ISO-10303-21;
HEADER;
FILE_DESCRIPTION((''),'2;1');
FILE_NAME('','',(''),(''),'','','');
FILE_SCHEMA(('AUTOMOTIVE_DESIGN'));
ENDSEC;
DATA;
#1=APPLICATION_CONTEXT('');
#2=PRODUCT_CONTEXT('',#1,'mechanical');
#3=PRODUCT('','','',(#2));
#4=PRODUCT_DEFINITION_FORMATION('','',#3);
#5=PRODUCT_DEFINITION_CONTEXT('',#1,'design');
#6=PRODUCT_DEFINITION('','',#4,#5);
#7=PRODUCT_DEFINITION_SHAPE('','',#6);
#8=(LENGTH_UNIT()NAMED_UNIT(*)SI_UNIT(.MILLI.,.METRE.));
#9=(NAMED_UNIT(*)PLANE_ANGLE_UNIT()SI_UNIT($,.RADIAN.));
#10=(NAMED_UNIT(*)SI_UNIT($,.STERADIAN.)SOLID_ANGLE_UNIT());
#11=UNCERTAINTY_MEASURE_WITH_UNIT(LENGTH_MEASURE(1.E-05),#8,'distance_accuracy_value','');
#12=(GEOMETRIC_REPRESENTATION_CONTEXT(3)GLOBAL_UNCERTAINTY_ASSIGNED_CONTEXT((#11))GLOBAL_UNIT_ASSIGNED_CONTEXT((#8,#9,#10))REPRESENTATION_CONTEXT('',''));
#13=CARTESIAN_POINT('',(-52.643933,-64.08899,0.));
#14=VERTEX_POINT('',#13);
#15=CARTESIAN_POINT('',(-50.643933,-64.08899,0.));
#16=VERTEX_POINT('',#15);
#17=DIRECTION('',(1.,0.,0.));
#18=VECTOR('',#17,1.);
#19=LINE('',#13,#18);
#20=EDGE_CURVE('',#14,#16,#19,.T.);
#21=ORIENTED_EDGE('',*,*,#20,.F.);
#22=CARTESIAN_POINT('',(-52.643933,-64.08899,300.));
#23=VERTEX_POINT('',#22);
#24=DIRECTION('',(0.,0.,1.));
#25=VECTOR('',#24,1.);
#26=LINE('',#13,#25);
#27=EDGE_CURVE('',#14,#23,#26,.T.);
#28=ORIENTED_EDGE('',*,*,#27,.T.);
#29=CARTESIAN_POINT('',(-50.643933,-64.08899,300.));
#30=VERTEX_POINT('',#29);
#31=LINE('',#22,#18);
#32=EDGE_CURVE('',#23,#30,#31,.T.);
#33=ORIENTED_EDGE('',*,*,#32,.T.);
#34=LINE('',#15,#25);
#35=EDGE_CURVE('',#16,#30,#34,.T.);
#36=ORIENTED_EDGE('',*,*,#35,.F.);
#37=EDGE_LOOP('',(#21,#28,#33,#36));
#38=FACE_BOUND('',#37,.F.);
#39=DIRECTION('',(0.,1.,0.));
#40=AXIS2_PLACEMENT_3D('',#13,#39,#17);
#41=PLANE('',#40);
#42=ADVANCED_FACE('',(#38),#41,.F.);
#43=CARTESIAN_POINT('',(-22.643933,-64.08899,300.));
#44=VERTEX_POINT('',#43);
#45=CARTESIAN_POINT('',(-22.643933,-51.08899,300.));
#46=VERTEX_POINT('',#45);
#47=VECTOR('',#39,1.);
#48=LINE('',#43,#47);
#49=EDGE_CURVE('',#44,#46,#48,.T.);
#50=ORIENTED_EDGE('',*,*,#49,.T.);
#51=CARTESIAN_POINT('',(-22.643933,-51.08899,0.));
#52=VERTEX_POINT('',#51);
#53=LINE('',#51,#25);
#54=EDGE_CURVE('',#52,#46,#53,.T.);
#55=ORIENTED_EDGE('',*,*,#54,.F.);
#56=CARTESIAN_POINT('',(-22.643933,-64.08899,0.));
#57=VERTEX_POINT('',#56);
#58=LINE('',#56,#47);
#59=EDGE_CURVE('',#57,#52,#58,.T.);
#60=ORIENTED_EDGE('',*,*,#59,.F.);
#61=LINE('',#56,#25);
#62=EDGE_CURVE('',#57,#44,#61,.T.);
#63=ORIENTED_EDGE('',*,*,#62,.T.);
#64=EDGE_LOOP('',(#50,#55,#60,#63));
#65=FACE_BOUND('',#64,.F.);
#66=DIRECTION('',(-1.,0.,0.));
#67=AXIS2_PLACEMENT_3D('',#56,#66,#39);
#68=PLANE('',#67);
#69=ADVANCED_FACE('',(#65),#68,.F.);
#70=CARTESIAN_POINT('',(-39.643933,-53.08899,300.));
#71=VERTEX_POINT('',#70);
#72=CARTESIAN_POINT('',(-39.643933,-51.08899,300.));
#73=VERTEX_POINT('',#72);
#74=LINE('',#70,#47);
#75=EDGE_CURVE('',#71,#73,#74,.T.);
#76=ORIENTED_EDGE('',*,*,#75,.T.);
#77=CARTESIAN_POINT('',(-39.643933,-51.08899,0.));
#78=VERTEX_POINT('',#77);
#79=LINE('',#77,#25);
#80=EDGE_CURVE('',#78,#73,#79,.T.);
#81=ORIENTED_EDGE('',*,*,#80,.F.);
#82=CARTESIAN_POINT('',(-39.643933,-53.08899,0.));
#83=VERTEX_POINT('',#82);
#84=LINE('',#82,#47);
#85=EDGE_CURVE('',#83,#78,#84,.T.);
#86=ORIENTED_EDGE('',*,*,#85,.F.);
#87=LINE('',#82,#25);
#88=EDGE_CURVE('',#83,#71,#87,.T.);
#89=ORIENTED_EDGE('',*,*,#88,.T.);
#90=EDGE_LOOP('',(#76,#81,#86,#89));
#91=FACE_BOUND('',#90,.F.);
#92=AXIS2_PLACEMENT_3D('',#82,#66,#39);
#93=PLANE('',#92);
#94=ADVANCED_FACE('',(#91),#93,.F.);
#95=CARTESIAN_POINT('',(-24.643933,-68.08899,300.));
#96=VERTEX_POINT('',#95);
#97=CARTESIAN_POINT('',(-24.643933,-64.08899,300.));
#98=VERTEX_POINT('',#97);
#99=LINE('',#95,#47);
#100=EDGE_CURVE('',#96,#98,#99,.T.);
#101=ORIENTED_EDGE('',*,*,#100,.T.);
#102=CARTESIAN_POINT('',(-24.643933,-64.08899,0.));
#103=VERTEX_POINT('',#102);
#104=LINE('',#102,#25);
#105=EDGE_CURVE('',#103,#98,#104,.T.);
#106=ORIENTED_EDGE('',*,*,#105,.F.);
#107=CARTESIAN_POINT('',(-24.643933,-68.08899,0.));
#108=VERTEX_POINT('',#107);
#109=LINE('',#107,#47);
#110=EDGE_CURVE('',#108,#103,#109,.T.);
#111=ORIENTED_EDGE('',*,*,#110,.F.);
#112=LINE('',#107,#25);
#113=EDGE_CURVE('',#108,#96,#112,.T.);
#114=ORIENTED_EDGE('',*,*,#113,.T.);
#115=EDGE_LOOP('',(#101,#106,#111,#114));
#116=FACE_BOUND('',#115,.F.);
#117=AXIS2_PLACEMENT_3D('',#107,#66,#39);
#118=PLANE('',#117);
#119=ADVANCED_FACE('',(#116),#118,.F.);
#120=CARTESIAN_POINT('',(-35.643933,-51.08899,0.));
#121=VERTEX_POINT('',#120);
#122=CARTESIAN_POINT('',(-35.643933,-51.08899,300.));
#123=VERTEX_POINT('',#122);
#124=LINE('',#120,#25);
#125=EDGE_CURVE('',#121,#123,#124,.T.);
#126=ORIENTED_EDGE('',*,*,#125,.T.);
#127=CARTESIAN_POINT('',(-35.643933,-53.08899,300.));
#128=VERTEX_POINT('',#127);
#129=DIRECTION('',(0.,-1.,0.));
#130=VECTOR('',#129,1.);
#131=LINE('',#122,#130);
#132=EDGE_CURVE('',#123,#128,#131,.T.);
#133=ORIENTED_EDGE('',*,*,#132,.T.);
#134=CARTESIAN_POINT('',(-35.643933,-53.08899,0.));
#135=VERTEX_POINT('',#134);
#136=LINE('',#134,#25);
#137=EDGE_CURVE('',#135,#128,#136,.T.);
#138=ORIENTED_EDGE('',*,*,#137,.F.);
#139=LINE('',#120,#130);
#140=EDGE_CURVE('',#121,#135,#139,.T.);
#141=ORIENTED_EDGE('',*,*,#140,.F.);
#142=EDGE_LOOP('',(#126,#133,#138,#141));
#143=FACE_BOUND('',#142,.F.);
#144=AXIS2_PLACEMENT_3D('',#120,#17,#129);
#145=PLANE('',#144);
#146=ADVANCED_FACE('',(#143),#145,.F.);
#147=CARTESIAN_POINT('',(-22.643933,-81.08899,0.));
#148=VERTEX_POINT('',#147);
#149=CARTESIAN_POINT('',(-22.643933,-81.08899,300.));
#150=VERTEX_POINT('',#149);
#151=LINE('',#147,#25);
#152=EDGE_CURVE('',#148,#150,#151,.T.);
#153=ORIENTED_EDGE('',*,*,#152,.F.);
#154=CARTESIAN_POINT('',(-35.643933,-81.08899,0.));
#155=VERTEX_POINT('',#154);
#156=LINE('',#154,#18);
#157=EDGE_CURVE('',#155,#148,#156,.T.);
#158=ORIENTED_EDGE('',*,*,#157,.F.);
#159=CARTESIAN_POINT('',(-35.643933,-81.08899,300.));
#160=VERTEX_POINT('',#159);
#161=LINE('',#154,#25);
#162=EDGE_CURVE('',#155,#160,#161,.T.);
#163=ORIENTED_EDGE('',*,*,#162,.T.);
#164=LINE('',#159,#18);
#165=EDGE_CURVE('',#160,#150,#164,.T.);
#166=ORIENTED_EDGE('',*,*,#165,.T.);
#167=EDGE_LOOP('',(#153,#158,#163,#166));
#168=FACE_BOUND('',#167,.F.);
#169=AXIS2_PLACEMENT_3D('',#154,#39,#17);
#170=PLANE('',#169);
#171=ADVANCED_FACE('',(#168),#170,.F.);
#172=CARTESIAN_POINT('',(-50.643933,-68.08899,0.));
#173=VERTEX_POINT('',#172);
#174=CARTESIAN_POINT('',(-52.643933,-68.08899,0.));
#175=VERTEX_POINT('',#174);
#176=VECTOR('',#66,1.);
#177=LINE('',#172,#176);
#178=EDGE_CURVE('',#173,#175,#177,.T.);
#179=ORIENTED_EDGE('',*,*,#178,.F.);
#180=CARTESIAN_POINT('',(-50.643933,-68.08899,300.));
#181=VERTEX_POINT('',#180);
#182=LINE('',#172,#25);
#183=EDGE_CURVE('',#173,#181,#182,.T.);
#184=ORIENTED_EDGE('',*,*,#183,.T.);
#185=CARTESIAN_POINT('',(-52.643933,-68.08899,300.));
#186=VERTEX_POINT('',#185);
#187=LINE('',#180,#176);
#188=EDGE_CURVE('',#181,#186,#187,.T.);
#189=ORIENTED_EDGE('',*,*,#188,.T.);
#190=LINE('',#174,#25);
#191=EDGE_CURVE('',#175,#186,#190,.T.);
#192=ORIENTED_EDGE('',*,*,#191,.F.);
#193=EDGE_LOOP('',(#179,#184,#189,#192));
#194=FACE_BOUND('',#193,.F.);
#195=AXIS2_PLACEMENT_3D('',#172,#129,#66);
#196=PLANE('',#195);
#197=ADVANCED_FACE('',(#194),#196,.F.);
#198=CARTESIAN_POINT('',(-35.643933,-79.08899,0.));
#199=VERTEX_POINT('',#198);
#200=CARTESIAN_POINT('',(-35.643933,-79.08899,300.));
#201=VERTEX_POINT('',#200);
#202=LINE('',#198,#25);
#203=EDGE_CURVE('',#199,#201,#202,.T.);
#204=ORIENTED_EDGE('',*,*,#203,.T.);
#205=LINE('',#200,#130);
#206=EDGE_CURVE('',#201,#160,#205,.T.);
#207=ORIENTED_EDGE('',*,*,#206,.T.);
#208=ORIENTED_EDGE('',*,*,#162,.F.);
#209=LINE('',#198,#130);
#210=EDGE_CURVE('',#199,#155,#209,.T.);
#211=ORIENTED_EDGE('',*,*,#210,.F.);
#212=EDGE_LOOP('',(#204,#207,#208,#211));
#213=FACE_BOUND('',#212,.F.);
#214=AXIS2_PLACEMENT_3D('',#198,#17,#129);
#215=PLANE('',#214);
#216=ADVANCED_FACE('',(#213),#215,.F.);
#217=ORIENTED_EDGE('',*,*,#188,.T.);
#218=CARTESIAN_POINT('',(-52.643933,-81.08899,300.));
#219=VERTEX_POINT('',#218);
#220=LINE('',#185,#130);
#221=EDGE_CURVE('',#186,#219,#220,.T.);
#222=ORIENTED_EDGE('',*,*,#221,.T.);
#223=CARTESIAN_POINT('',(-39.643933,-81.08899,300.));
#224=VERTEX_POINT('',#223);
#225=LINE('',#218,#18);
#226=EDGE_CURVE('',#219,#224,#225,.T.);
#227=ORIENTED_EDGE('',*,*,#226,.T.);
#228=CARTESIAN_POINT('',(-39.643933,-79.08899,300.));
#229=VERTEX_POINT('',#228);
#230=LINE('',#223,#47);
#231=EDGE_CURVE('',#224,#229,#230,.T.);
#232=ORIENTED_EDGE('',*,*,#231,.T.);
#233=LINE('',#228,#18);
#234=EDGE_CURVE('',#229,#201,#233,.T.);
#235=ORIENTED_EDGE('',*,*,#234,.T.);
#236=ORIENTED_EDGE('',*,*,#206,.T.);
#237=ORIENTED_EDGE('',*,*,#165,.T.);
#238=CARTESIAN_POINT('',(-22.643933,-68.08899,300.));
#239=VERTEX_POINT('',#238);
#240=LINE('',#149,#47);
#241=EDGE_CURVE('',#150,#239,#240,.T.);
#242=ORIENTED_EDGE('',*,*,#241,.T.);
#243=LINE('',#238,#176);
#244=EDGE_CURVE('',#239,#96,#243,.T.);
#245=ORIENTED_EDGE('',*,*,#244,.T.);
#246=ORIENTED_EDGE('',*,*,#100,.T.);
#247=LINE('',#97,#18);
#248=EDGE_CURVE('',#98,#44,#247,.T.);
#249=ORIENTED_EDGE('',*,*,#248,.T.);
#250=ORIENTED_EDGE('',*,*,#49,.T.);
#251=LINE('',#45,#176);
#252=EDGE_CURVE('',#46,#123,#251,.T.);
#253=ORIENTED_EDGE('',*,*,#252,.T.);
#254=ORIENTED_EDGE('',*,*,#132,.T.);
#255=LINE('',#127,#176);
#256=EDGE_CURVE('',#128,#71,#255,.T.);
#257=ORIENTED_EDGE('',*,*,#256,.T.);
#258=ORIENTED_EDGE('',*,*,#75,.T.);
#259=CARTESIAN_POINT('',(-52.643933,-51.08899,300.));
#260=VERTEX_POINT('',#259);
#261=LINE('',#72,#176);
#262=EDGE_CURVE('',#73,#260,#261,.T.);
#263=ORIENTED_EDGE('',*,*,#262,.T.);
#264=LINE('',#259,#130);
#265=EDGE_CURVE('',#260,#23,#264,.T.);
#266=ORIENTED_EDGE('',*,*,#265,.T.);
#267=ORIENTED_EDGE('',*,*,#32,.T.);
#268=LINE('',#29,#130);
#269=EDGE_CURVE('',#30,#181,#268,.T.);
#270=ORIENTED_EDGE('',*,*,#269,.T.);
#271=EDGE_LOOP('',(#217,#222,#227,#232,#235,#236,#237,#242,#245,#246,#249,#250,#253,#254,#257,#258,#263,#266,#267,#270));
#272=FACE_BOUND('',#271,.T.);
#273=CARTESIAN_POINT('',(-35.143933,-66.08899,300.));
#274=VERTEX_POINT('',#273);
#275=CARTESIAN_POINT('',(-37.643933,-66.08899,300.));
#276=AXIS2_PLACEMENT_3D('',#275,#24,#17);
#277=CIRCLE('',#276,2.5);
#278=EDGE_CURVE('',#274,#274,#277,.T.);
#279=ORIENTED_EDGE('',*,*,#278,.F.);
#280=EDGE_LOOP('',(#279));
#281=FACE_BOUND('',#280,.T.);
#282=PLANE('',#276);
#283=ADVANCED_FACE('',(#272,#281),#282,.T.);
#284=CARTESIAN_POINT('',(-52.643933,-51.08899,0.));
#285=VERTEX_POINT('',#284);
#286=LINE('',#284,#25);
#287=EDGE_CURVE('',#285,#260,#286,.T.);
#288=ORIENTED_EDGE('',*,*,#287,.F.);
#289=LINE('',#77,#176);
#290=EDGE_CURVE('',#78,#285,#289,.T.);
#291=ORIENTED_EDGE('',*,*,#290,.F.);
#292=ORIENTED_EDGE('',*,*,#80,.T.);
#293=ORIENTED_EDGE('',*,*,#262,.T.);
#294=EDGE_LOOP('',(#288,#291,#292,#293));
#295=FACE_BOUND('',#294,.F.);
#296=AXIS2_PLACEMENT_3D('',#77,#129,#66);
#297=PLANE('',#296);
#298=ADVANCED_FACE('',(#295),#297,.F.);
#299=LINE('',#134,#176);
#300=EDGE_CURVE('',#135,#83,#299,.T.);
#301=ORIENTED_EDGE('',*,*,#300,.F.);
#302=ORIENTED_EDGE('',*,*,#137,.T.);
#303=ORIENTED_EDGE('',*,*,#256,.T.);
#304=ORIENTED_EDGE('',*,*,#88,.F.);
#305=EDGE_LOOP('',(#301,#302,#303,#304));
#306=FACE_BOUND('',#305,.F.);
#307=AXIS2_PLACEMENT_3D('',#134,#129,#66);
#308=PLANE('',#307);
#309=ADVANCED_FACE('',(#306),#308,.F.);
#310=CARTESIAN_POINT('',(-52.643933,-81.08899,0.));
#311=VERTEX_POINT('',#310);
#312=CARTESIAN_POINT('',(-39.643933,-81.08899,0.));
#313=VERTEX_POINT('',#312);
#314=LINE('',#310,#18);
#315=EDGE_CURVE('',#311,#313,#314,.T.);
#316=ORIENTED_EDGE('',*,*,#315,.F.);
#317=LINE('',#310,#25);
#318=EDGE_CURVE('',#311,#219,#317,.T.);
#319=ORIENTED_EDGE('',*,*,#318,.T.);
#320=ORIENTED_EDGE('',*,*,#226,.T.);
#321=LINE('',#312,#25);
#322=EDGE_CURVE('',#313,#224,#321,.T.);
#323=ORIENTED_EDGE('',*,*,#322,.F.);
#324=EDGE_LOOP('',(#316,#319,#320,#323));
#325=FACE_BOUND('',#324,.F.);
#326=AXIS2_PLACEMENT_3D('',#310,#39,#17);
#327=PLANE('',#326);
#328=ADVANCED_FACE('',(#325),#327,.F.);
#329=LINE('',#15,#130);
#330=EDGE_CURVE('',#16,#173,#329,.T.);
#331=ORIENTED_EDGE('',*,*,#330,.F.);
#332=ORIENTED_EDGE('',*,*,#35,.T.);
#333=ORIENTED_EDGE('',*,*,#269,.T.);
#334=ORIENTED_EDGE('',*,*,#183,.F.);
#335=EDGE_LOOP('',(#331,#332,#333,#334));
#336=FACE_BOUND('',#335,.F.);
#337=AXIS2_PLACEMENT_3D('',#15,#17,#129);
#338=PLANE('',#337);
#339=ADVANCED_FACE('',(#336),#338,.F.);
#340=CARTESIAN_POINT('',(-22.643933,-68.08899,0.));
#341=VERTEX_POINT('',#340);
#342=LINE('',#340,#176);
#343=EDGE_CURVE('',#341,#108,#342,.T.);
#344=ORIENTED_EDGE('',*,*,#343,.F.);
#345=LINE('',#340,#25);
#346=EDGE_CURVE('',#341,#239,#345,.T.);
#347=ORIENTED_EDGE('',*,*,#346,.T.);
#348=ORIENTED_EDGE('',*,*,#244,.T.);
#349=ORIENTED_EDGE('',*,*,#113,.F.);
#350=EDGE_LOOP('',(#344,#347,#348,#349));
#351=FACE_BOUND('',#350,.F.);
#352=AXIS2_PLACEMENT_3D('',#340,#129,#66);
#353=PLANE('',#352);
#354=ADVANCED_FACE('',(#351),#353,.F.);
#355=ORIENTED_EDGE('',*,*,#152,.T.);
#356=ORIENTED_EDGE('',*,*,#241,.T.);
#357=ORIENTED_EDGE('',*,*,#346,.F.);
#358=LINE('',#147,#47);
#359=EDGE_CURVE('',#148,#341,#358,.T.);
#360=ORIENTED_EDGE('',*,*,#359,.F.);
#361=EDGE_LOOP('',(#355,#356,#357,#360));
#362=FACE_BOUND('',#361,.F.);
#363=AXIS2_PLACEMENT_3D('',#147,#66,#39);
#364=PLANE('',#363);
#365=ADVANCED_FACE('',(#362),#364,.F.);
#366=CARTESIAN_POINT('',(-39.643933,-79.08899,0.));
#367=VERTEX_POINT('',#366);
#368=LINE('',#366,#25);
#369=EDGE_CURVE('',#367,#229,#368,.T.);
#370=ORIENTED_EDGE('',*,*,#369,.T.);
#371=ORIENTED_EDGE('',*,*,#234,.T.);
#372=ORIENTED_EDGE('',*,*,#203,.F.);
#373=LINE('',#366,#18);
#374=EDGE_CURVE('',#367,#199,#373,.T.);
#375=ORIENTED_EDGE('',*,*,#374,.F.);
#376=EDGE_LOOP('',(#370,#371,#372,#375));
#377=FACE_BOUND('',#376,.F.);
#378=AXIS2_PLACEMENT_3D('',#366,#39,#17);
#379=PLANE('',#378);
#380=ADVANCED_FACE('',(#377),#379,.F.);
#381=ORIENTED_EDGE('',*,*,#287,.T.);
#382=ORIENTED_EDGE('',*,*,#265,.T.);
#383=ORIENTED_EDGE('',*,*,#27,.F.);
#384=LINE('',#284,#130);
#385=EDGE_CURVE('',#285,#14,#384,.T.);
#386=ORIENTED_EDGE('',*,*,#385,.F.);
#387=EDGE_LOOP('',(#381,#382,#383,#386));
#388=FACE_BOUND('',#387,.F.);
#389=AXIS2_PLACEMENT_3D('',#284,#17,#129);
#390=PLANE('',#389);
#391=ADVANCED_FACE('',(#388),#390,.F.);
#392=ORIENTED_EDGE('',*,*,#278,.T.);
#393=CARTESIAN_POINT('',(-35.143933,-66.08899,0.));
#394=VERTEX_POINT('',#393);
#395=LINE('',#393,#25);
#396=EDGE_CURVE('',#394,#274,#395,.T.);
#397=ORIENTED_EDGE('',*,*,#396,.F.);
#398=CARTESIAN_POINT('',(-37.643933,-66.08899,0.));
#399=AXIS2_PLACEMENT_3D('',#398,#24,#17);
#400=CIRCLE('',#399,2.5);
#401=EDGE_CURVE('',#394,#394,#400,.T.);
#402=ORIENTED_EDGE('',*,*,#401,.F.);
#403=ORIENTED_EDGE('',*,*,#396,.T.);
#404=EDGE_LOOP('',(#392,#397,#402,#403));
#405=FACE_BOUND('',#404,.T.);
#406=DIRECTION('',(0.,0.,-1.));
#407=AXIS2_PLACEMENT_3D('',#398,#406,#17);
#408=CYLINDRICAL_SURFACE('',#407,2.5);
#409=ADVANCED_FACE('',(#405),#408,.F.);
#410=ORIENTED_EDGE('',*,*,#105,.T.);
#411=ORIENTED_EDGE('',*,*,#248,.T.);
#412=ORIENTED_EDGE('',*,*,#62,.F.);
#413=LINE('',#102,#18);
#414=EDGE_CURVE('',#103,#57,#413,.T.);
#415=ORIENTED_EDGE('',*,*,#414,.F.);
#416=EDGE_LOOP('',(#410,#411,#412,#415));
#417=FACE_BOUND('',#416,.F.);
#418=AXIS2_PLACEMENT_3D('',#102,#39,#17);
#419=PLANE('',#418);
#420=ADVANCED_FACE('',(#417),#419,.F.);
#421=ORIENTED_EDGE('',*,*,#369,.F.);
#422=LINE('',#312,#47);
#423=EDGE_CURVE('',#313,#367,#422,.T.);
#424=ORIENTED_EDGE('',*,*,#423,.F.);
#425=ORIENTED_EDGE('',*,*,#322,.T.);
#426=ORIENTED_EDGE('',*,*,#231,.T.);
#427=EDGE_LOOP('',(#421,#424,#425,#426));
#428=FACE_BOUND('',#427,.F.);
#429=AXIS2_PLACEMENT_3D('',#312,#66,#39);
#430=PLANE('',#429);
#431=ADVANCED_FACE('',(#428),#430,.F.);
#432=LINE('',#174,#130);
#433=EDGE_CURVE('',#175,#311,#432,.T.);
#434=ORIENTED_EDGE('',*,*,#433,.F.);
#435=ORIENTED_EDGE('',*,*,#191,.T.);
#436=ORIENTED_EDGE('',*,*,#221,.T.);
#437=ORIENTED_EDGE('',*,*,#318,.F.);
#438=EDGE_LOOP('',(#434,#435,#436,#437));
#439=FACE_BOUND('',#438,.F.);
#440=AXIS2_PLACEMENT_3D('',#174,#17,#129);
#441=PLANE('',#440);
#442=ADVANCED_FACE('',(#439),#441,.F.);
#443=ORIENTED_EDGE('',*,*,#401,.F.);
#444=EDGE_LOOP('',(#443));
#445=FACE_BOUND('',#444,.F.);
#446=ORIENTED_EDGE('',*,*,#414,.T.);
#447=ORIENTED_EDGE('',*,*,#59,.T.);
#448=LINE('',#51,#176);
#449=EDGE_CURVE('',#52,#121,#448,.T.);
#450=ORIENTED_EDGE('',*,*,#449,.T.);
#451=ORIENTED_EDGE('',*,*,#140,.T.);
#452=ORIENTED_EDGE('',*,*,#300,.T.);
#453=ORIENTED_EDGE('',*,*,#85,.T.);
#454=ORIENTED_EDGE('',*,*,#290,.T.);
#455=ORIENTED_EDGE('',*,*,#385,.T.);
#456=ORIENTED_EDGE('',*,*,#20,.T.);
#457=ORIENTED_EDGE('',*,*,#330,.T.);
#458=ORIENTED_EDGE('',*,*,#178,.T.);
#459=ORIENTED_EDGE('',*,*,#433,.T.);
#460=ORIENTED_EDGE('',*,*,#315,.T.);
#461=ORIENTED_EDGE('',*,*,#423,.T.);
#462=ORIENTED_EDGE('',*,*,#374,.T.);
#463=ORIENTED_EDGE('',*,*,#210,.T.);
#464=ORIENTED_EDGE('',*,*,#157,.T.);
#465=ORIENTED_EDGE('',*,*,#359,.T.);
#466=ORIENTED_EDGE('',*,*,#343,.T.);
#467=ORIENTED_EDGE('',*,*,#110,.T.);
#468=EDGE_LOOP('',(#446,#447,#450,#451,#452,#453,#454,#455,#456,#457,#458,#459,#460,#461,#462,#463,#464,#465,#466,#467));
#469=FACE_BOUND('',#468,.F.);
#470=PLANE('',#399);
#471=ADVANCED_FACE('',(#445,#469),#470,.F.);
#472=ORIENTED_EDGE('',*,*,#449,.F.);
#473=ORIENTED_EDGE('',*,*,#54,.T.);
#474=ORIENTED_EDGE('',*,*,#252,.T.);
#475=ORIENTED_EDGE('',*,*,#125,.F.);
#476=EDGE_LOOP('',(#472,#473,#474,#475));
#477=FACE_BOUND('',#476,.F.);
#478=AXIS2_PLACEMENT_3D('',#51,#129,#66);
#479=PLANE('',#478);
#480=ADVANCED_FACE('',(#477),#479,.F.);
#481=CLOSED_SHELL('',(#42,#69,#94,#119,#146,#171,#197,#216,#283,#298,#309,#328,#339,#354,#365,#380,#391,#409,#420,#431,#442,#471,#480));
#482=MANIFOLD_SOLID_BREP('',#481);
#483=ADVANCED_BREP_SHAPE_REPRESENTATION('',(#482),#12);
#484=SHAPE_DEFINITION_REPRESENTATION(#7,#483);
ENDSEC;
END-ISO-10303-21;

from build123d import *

# Parameters (mm, degrees)
F0_R     = 2.5
F1_DEPTH = 300


with BuildPart() as f1:
    # F0 (on Top) → F1 (new body)
    with BuildSketch(Plane.XY):
        Polygon((-52.643933, -68.08899), (-52.643933, -81.08899), (-39.643933, -81.08899), (-39.643933, -79.08899), (-35.643933, -79.08899), (-35.643933, -81.08899), (-22.643933, -81.08899), (-22.643933, -68.08899), (-24.643933, -68.08899), (-24.643933, -64.08899), (-22.643933, -64.08899), (-22.643933, -51.08899), (-35.643933, -51.08899), (-35.643933, -53.08899), (-39.643933, -53.08899), (-39.643933, -51.08899), (-52.643933, -51.08899), (-52.643933, -64.08899), (-50.643933, -64.08899), (-50.643933, -68.08899), align=None)
        with Locations((-37.643933, -66.08899)):
            Circle(F0_R, mode=Mode.SUBTRACT)
    extrude(amount=F1_DEPTH)


solid = f1.part
